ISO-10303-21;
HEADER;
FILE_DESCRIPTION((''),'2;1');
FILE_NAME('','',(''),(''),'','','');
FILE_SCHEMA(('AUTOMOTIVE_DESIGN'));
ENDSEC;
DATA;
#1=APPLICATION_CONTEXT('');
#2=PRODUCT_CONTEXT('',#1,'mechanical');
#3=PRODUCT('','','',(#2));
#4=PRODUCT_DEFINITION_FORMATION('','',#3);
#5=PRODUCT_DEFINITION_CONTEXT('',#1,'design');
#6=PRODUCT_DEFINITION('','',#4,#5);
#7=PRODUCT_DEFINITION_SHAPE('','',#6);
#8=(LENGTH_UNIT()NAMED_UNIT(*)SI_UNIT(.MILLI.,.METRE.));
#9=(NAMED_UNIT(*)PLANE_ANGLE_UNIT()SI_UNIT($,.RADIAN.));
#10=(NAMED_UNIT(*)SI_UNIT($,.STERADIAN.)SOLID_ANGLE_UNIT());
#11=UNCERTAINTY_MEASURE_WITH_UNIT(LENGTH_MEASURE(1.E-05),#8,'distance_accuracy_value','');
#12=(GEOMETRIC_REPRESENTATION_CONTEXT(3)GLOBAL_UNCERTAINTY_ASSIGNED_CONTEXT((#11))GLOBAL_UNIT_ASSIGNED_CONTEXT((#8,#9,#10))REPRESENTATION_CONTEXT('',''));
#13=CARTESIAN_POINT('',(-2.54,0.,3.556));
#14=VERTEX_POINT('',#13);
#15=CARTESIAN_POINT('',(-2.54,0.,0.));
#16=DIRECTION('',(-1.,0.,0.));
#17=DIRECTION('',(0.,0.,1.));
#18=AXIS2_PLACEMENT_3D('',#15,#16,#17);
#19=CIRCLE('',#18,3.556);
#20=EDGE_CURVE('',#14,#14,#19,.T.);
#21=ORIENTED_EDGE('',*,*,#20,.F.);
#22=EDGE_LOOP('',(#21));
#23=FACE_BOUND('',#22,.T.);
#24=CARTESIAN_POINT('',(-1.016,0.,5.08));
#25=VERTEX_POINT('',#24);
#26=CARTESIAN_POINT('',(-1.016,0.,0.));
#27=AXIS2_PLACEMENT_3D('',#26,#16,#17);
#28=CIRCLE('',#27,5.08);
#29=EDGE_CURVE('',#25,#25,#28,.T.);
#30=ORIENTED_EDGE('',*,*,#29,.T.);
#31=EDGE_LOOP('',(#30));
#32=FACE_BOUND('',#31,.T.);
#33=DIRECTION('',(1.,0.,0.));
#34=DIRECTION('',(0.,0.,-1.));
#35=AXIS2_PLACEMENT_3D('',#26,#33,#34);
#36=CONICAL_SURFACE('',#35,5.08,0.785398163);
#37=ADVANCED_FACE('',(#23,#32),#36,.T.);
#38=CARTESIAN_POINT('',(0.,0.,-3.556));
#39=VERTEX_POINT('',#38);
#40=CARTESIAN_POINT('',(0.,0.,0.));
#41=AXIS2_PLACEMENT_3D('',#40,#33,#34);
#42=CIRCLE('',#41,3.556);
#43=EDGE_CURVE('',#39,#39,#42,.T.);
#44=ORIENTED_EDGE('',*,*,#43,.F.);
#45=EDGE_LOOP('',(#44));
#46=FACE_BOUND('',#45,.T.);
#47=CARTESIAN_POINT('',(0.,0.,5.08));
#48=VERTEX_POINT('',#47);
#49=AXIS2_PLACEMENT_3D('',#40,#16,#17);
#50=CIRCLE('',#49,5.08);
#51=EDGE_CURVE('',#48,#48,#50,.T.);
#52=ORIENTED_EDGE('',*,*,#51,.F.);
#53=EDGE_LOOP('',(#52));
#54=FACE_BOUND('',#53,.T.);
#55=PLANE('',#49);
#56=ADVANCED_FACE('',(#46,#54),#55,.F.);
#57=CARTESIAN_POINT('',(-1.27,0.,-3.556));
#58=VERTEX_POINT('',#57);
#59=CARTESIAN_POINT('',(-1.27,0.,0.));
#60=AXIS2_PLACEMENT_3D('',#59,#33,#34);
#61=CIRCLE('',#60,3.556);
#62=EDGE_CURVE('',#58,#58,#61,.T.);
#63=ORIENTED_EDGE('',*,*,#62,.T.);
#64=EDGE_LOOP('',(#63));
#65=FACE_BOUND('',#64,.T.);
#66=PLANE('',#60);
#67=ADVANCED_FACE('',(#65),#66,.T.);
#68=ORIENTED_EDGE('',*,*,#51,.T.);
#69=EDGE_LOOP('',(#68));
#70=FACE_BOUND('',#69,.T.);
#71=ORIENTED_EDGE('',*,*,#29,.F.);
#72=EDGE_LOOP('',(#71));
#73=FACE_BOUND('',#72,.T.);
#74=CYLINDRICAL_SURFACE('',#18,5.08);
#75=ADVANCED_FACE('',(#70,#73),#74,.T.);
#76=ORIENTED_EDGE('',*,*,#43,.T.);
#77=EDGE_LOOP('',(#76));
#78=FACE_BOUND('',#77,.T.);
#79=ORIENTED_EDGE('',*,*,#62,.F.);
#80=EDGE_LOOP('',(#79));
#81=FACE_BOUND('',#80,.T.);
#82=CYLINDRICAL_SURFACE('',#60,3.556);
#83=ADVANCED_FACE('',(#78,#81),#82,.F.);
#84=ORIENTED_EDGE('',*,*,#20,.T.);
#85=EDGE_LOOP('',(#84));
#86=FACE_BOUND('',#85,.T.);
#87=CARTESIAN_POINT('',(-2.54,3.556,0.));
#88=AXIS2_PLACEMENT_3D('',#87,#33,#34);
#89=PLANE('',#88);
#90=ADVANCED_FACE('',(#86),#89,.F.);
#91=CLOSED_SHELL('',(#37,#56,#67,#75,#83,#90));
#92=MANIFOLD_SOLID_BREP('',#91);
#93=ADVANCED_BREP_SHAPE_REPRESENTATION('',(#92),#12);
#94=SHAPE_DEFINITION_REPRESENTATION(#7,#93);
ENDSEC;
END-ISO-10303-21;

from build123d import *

# Parameters (mm, degrees)
SKETCH2_R          = 3.556
CUT_EXTRUDE1_DEPTH = 1.27


with BuildPart() as part:
    # Sketch1 → Revolve1 (revolve)
    with BuildSketch(Plane.XY, mode=Mode.PRIVATE) as revolve1_sk:
        Polygon((0, 0), (0, 5.08), (-1.016, 5.08), (-2.54, 3.556), (-2.54, 0), align=None)
    revolve(revolve1_sk.sketch.rotate(Axis((-2.54, 0, 0), (1, 0, 0)), 90), axis=Axis((-2.54, 0, 0), (1, 0, 0)))

    # Sketch2 → Cut-Extrude1 (cut)
    with BuildSketch(Plane(origin=(0, 0, 0), x_dir=(0, 0, -1), z_dir=(1, 0, 0))):
        Circle(SKETCH2_R)
    extrude(amount=-CUT_EXTRUDE1_DEPTH, mode=Mode.SUBTRACT)


solid = part.part
